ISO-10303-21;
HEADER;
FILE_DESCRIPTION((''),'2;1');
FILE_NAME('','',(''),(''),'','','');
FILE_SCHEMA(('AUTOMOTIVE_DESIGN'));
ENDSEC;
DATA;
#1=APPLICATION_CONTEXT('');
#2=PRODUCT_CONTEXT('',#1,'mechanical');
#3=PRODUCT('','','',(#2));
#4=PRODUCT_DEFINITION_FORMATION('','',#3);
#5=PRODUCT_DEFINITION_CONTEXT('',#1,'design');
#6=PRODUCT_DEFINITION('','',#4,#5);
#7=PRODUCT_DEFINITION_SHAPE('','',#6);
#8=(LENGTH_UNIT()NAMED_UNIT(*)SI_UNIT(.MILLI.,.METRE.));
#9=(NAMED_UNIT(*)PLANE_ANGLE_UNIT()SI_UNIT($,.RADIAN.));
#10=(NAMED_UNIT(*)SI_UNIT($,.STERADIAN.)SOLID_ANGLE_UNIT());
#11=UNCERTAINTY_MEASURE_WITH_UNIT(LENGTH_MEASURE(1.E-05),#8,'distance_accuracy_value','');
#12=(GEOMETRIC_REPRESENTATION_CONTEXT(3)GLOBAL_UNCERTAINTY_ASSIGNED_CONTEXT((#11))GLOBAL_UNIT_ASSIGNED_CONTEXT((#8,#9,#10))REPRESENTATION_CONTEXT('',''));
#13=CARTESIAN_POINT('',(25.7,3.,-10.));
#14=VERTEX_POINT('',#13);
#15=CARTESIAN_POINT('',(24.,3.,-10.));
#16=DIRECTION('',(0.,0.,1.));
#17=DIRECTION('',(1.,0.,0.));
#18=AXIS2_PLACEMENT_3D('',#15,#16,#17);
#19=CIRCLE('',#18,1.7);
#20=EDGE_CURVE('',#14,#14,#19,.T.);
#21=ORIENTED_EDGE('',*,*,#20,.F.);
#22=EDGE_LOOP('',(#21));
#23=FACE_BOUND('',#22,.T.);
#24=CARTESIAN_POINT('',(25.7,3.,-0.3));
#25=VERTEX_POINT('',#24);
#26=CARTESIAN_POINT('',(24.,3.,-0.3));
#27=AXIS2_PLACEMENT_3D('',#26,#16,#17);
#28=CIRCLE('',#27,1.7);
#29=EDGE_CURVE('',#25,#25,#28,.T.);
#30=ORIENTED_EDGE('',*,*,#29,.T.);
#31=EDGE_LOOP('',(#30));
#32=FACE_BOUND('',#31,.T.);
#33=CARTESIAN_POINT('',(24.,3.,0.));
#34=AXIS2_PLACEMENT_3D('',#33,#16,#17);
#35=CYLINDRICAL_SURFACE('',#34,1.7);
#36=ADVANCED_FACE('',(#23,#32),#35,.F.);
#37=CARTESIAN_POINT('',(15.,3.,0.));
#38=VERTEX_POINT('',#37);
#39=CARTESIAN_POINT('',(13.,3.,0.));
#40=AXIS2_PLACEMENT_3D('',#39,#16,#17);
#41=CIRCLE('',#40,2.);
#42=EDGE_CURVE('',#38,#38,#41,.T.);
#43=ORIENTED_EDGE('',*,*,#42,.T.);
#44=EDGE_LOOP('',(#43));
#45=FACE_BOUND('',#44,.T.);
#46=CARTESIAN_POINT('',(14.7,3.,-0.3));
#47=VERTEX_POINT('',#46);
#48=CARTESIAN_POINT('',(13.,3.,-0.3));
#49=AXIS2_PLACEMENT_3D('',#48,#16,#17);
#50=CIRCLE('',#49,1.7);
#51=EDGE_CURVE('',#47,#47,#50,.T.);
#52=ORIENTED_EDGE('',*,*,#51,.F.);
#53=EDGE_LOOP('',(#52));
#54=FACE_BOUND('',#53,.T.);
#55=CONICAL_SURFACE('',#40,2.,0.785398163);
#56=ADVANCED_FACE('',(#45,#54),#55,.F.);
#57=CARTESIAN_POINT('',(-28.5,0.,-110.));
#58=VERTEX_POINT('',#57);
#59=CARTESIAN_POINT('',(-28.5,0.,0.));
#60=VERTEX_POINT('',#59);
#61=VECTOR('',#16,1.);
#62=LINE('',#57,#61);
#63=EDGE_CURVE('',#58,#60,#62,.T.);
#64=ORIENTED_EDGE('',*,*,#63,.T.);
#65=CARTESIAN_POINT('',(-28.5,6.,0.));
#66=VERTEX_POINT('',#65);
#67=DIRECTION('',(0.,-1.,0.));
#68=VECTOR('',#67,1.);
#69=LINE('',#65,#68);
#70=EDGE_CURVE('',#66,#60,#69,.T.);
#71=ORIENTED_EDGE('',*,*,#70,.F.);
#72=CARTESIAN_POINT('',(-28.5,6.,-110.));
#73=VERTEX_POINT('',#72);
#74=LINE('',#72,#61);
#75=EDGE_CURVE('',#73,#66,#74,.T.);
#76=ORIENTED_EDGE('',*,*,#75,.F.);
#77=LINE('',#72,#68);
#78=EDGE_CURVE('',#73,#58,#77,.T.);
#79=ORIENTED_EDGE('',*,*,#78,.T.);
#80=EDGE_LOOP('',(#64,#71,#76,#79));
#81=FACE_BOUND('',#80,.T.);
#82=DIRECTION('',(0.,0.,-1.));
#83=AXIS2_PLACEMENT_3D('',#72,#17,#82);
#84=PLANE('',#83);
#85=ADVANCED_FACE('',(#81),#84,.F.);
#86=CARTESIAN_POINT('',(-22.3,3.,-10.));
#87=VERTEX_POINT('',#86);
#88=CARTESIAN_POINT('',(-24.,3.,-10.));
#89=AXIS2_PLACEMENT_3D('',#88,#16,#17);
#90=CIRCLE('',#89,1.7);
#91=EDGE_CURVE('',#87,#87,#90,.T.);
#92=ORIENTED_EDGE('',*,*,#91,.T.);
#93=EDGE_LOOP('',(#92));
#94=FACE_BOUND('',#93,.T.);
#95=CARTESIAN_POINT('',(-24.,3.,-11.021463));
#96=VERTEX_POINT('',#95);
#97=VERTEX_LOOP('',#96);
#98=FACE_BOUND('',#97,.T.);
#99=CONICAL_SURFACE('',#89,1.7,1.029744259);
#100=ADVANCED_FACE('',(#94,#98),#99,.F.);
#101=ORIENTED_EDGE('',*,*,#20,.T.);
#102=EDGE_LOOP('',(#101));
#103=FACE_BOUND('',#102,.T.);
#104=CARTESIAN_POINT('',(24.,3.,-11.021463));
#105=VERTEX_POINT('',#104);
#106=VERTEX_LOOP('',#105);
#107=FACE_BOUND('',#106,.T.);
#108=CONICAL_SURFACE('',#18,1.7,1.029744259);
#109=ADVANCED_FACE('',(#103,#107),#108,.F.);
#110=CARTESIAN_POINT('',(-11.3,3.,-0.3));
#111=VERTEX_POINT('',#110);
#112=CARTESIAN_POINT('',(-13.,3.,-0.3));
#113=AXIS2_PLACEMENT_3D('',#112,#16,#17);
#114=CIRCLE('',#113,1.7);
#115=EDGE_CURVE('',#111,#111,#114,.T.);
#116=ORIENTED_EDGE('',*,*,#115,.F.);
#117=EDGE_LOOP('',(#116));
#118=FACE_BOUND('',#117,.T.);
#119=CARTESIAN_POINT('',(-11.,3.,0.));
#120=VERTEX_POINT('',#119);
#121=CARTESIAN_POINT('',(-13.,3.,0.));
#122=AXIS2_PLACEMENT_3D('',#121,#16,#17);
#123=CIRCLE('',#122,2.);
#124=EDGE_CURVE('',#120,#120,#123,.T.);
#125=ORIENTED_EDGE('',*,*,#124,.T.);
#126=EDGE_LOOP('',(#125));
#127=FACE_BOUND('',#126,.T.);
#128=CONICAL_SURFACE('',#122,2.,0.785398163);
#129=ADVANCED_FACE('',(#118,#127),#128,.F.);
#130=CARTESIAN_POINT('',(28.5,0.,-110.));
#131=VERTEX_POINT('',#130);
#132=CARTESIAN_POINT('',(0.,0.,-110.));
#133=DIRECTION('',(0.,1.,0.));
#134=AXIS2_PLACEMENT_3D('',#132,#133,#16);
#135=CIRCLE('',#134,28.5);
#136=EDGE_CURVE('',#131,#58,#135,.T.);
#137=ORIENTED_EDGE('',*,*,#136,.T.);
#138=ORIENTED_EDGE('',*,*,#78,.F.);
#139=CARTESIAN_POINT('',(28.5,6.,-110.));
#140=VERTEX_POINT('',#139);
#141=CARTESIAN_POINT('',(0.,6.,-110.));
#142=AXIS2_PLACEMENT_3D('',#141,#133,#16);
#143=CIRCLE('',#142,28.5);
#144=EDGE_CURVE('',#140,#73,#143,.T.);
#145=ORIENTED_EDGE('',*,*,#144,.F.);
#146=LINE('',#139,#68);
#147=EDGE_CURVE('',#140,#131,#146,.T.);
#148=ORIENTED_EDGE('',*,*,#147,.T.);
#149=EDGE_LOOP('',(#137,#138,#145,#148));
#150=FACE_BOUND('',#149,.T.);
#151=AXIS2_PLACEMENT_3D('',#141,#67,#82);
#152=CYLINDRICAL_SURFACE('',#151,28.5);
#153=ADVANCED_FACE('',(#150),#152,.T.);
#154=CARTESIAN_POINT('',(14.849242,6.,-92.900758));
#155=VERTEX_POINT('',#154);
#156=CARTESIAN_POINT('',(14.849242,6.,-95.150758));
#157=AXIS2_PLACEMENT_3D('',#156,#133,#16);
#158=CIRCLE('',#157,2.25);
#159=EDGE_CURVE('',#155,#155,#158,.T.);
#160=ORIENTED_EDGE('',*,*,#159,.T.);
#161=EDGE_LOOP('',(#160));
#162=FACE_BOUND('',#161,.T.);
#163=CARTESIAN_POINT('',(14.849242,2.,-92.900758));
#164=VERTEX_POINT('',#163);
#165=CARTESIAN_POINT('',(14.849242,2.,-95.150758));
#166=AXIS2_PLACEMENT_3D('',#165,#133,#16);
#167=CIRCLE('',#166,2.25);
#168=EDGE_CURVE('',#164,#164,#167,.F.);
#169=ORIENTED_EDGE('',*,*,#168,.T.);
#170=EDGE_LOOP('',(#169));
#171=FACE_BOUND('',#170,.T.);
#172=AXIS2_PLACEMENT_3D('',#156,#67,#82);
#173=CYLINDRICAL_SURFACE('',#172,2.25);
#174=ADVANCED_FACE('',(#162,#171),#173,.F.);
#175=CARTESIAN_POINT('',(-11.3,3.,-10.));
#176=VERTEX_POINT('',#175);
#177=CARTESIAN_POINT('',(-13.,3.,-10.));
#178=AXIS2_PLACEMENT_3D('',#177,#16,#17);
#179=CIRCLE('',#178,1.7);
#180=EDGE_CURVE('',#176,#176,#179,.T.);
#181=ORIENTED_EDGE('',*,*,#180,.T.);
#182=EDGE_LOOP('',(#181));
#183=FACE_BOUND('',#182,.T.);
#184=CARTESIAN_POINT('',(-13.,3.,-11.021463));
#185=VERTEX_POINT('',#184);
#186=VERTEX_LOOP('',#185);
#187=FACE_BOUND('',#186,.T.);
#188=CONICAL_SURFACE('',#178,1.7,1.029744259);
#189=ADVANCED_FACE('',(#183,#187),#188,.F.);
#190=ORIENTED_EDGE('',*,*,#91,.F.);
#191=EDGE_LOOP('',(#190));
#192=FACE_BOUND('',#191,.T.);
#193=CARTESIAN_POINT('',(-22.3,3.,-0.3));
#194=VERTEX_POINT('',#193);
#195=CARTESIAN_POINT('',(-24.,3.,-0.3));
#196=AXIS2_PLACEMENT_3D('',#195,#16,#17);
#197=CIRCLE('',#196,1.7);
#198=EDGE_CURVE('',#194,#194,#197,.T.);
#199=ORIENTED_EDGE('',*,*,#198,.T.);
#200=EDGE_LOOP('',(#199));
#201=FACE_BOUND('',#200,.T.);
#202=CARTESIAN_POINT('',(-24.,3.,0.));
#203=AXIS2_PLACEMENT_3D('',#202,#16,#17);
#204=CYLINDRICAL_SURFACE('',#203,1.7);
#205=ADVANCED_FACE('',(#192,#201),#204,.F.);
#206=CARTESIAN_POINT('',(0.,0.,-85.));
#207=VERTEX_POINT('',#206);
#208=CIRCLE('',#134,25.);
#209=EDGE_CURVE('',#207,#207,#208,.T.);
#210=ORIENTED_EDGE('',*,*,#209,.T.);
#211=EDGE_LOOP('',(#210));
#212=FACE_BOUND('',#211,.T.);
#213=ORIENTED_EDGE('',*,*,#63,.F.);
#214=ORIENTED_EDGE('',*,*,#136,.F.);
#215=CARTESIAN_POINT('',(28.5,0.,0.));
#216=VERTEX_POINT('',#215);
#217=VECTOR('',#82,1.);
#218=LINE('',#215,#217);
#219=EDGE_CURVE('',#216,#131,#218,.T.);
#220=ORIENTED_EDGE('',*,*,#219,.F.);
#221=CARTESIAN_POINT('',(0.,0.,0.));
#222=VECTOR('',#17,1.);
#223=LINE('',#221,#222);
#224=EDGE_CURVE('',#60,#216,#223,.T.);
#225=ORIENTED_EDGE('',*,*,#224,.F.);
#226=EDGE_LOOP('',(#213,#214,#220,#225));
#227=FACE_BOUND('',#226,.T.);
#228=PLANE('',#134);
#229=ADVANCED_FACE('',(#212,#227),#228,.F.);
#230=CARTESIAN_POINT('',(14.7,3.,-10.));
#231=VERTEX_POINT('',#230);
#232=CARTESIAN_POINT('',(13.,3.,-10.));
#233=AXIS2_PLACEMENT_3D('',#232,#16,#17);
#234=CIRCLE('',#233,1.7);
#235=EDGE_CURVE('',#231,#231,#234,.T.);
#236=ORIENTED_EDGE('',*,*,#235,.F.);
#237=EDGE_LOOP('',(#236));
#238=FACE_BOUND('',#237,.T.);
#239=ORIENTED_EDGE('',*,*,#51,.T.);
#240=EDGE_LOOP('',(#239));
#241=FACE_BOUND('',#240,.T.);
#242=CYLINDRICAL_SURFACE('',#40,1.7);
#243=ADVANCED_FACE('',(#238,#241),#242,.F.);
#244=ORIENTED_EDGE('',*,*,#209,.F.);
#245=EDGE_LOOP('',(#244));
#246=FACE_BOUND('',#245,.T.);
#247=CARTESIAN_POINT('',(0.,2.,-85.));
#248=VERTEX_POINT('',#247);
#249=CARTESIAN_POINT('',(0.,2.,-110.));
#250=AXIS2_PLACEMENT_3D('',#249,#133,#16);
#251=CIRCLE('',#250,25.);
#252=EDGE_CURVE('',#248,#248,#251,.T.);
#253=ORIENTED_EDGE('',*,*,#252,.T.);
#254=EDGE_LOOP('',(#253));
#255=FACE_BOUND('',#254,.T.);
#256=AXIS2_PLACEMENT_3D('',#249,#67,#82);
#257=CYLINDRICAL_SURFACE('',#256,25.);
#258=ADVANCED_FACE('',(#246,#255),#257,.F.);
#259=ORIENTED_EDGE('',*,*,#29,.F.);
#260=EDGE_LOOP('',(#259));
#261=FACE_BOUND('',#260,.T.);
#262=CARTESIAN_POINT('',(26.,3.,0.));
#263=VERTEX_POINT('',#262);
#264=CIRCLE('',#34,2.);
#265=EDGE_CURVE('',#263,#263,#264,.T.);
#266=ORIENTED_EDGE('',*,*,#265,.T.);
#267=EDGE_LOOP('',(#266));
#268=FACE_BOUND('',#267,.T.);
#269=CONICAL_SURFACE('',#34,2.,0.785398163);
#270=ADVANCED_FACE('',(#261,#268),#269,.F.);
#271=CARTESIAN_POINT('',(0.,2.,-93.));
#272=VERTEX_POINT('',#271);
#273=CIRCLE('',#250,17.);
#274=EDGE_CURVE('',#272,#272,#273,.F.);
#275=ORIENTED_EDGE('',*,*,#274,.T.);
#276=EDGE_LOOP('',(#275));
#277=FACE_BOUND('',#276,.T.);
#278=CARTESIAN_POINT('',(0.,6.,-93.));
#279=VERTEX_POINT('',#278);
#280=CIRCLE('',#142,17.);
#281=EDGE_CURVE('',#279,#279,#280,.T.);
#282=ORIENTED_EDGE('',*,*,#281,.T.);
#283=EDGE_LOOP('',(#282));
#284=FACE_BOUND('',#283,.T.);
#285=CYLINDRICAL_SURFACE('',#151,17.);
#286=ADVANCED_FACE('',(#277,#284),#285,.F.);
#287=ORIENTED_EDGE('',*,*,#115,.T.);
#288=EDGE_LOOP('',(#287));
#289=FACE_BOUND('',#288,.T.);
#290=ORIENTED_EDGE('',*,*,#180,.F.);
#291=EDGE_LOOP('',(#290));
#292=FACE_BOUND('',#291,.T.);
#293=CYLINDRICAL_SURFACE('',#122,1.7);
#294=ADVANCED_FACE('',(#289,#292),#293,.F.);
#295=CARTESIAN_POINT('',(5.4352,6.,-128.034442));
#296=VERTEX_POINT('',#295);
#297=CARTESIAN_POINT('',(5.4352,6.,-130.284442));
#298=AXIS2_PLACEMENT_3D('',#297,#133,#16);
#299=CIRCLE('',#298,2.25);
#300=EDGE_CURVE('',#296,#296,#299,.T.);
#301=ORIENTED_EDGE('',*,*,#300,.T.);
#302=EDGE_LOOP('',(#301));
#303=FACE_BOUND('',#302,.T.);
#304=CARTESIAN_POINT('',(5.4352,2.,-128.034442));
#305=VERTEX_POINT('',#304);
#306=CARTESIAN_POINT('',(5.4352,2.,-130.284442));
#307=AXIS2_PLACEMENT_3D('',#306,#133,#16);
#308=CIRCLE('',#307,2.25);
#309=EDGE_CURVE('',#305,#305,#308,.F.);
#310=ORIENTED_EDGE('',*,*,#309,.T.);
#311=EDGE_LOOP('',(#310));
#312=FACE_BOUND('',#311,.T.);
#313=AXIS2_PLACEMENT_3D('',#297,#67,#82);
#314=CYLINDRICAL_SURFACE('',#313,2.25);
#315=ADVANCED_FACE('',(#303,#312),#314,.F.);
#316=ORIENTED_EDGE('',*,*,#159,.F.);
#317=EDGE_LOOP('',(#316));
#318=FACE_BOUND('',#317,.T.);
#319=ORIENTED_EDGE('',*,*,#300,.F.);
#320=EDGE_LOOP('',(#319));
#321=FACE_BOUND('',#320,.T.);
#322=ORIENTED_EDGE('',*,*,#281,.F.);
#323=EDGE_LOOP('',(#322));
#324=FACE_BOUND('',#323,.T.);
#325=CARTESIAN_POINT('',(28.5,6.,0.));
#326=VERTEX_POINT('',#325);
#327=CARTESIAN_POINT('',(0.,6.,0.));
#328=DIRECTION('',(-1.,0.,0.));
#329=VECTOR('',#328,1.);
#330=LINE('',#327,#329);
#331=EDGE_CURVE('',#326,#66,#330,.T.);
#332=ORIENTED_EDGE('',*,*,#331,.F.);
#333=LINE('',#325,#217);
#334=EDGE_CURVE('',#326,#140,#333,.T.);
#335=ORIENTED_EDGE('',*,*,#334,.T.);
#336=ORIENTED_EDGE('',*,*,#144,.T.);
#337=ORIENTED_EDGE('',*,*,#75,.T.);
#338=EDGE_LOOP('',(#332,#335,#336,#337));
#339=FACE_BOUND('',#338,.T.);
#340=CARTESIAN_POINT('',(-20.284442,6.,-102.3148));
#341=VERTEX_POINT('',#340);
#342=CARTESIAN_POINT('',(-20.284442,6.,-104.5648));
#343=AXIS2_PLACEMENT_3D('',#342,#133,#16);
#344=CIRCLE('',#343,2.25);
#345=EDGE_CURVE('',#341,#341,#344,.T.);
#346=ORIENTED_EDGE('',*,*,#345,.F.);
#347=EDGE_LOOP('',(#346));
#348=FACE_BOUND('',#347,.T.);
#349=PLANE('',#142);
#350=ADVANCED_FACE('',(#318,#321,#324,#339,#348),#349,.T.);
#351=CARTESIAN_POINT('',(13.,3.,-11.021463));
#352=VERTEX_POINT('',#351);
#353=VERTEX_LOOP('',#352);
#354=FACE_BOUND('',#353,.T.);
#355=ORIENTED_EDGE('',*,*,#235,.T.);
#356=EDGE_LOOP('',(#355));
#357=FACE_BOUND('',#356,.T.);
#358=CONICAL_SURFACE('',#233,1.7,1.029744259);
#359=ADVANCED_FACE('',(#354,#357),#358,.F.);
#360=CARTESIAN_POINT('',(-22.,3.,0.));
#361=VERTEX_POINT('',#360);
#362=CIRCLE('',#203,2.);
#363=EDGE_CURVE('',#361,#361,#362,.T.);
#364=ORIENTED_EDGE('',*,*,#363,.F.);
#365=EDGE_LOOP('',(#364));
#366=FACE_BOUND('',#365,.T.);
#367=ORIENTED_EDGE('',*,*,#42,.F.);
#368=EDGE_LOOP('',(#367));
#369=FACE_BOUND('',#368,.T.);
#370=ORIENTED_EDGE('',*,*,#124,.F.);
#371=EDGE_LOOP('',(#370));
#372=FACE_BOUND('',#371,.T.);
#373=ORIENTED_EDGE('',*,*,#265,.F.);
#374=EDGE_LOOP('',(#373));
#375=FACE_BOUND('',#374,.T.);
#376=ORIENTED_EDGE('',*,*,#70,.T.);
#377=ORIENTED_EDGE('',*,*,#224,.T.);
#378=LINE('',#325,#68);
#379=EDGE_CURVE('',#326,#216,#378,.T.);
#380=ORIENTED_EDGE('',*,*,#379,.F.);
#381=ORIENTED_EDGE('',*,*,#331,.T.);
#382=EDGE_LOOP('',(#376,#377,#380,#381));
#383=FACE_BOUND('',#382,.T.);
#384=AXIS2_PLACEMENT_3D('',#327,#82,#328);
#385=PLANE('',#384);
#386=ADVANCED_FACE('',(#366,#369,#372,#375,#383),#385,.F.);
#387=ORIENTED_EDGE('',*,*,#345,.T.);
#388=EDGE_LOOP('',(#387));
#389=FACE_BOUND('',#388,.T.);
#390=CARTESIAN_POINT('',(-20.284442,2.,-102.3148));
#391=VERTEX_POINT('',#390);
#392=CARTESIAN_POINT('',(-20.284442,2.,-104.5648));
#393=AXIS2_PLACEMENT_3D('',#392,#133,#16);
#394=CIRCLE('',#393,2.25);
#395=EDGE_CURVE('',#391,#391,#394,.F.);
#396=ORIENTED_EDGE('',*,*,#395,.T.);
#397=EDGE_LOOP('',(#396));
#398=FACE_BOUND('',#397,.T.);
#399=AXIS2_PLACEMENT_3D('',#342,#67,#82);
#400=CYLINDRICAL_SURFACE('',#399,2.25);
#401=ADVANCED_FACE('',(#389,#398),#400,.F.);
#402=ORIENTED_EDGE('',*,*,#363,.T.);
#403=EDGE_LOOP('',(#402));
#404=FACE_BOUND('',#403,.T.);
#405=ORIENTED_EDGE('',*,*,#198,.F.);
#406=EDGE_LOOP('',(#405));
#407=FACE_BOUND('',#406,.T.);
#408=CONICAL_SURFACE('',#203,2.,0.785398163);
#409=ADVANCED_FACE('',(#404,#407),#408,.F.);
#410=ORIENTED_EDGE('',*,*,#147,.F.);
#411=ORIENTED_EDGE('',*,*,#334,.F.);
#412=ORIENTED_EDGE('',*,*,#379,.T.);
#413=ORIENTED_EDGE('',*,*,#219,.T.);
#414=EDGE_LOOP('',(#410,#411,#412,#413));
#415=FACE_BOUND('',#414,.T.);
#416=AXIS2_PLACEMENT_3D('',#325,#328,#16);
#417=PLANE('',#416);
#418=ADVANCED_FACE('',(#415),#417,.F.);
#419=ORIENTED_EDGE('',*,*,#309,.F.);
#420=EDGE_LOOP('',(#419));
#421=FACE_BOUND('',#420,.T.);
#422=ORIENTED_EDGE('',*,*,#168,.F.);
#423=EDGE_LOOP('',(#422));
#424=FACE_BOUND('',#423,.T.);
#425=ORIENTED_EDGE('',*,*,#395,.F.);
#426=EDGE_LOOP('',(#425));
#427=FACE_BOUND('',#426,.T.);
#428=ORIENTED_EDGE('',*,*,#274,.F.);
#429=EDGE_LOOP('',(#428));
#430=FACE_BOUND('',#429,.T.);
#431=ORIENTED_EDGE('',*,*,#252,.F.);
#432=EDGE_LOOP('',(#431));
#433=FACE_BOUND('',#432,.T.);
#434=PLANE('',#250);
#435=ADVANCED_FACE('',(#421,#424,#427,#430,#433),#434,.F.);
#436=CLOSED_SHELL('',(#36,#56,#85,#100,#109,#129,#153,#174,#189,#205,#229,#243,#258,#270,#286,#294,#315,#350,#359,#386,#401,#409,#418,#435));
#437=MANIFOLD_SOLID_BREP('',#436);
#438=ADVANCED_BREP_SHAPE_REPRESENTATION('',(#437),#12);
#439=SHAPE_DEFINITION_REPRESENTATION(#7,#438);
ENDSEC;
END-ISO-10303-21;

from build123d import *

# Parameters (mm, degrees)
AUFSATZ_LINEAR_AUSTRAGEN1_DEPTH                      = 6
SKIZZE1_4_R                                          = 25
SCHNITT_LINEAR_AUSTRAGEN1_DEPTH                      = 2
SKIZZE1_5_R                                          = 17
SCHNITT_LINEAR_AUSTRAGEN2_DEPTH                      = 142.529148941
SKIZZE1_6_R                                          = 2.25
SCHNITT_LINEAR_AUSTRAGEN3_DEPTH                      = 142.529148941
CSK_FOR_M3_RAISED_COUNTERSUNK_HEAD_SCREW_D           = 3.4
CSK_FOR_M3_RAISED_COUNTERSUNK_HEAD_SCREW_DEPTH       = 10
CSK_FOR_M3_RAISED_COUNTERSUNK_HEAD_SCREW_CSINK_D     = 4
CSK_FOR_M3_RAISED_COUNTERSUNK_HEAD_SCREW_CSINK_ANGLE = 90
CSK_FOR_M3_RAISED_COUNTERSUNK_HEAD_SCREW_TIP         = 1.021463052


with BuildPart() as part:
    # Skizze1 → Aufsatz-Linear austragen1 (new body)
    with BuildSketch(Plane(origin=(0, 0, 0), x_dir=(1, 0, 0), z_dir=(0, 1, 0))):
        with BuildLine():
            Line((0, 0), (-28.5, 0))
            Line((-28.5, 0), (-28.5, 110))
            ThreePointArc((-28.5, 110), (0, 138.5), (28.5, 110))
            Line((28.5, 110), (28.5, 0))
            Line((28.5, 0), (0, 0))
        make_face()
    extrude(amount=AUFSATZ_LINEAR_AUSTRAGEN1_DEPTH)

    # Skizze1<4> → Schnitt-Linear austragen1 (cut)
    with BuildSketch(Plane(origin=(0, 0, 0), x_dir=(1, 0, 0), z_dir=(0, 1, 0))):
        with Locations((0, 110)):
            Circle(SKIZZE1_4_R)
    extrude(amount=SCHNITT_LINEAR_AUSTRAGEN1_DEPTH, mode=Mode.SUBTRACT)

    # Skizze1<5> → Schnitt-Linear austragen2 (cut, through all)
    with BuildSketch(Plane(origin=(0, 0, 0), x_dir=(1, 0, 0), z_dir=(0, 1, 0))):
        with Locations((0, 110)):
            Circle(SKIZZE1_5_R)
    extrude(amount=SCHNITT_LINEAR_AUSTRAGEN2_DEPTH, mode=Mode.SUBTRACT)

    # Skizze1<6> → Schnitt-Linear austragen3 (cut, through all)
    with BuildSketch(Plane(origin=(0, 0, 0), x_dir=(1, 0, 0), z_dir=(0, 1, 0))):
        with Locations((14.849242405, 95.150757595)):
            Circle(SKIZZE1_6_R)
        with Locations((5.435199947, 130.284442352)):
            Circle(SKIZZE1_6_R)
        with Locations((-20.284442352, 104.564800053)):
            Circle(SKIZZE1_6_R)
    extrude(amount=SCHNITT_LINEAR_AUSTRAGEN3_DEPTH, mode=Mode.SUBTRACT)

    # CSK for M3 Raised Countersunk Head Screw 174741
    with Locations(Plane(origin=(-24, 3, 0), x_dir=(1, 0, 0), z_dir=(0, 0, 1))):
        with Locations((0, 0), (11, 0), (37, 0), (48, 0)):
            CounterSinkHole(CSK_FOR_M3_RAISED_COUNTERSUNK_HEAD_SCREW_D / 2, CSK_FOR_M3_RAISED_COUNTERSUNK_HEAD_SCREW_CSINK_D / 2, depth=CSK_FOR_M3_RAISED_COUNTERSUNK_HEAD_SCREW_DEPTH, counter_sink_angle=CSK_FOR_M3_RAISED_COUNTERSUNK_HEAD_SCREW_CSINK_ANGLE)
            with Locations((0, 0, -(CSK_FOR_M3_RAISED_COUNTERSUNK_HEAD_SCREW_DEPTH + CSK_FOR_M3_RAISED_COUNTERSUNK_HEAD_SCREW_TIP / 2))):  # 118° drill point
                Cone(0, CSK_FOR_M3_RAISED_COUNTERSUNK_HEAD_SCREW_D / 2, CSK_FOR_M3_RAISED_COUNTERSUNK_HEAD_SCREW_TIP, mode=Mode.SUBTRACT)


solid = part.part
